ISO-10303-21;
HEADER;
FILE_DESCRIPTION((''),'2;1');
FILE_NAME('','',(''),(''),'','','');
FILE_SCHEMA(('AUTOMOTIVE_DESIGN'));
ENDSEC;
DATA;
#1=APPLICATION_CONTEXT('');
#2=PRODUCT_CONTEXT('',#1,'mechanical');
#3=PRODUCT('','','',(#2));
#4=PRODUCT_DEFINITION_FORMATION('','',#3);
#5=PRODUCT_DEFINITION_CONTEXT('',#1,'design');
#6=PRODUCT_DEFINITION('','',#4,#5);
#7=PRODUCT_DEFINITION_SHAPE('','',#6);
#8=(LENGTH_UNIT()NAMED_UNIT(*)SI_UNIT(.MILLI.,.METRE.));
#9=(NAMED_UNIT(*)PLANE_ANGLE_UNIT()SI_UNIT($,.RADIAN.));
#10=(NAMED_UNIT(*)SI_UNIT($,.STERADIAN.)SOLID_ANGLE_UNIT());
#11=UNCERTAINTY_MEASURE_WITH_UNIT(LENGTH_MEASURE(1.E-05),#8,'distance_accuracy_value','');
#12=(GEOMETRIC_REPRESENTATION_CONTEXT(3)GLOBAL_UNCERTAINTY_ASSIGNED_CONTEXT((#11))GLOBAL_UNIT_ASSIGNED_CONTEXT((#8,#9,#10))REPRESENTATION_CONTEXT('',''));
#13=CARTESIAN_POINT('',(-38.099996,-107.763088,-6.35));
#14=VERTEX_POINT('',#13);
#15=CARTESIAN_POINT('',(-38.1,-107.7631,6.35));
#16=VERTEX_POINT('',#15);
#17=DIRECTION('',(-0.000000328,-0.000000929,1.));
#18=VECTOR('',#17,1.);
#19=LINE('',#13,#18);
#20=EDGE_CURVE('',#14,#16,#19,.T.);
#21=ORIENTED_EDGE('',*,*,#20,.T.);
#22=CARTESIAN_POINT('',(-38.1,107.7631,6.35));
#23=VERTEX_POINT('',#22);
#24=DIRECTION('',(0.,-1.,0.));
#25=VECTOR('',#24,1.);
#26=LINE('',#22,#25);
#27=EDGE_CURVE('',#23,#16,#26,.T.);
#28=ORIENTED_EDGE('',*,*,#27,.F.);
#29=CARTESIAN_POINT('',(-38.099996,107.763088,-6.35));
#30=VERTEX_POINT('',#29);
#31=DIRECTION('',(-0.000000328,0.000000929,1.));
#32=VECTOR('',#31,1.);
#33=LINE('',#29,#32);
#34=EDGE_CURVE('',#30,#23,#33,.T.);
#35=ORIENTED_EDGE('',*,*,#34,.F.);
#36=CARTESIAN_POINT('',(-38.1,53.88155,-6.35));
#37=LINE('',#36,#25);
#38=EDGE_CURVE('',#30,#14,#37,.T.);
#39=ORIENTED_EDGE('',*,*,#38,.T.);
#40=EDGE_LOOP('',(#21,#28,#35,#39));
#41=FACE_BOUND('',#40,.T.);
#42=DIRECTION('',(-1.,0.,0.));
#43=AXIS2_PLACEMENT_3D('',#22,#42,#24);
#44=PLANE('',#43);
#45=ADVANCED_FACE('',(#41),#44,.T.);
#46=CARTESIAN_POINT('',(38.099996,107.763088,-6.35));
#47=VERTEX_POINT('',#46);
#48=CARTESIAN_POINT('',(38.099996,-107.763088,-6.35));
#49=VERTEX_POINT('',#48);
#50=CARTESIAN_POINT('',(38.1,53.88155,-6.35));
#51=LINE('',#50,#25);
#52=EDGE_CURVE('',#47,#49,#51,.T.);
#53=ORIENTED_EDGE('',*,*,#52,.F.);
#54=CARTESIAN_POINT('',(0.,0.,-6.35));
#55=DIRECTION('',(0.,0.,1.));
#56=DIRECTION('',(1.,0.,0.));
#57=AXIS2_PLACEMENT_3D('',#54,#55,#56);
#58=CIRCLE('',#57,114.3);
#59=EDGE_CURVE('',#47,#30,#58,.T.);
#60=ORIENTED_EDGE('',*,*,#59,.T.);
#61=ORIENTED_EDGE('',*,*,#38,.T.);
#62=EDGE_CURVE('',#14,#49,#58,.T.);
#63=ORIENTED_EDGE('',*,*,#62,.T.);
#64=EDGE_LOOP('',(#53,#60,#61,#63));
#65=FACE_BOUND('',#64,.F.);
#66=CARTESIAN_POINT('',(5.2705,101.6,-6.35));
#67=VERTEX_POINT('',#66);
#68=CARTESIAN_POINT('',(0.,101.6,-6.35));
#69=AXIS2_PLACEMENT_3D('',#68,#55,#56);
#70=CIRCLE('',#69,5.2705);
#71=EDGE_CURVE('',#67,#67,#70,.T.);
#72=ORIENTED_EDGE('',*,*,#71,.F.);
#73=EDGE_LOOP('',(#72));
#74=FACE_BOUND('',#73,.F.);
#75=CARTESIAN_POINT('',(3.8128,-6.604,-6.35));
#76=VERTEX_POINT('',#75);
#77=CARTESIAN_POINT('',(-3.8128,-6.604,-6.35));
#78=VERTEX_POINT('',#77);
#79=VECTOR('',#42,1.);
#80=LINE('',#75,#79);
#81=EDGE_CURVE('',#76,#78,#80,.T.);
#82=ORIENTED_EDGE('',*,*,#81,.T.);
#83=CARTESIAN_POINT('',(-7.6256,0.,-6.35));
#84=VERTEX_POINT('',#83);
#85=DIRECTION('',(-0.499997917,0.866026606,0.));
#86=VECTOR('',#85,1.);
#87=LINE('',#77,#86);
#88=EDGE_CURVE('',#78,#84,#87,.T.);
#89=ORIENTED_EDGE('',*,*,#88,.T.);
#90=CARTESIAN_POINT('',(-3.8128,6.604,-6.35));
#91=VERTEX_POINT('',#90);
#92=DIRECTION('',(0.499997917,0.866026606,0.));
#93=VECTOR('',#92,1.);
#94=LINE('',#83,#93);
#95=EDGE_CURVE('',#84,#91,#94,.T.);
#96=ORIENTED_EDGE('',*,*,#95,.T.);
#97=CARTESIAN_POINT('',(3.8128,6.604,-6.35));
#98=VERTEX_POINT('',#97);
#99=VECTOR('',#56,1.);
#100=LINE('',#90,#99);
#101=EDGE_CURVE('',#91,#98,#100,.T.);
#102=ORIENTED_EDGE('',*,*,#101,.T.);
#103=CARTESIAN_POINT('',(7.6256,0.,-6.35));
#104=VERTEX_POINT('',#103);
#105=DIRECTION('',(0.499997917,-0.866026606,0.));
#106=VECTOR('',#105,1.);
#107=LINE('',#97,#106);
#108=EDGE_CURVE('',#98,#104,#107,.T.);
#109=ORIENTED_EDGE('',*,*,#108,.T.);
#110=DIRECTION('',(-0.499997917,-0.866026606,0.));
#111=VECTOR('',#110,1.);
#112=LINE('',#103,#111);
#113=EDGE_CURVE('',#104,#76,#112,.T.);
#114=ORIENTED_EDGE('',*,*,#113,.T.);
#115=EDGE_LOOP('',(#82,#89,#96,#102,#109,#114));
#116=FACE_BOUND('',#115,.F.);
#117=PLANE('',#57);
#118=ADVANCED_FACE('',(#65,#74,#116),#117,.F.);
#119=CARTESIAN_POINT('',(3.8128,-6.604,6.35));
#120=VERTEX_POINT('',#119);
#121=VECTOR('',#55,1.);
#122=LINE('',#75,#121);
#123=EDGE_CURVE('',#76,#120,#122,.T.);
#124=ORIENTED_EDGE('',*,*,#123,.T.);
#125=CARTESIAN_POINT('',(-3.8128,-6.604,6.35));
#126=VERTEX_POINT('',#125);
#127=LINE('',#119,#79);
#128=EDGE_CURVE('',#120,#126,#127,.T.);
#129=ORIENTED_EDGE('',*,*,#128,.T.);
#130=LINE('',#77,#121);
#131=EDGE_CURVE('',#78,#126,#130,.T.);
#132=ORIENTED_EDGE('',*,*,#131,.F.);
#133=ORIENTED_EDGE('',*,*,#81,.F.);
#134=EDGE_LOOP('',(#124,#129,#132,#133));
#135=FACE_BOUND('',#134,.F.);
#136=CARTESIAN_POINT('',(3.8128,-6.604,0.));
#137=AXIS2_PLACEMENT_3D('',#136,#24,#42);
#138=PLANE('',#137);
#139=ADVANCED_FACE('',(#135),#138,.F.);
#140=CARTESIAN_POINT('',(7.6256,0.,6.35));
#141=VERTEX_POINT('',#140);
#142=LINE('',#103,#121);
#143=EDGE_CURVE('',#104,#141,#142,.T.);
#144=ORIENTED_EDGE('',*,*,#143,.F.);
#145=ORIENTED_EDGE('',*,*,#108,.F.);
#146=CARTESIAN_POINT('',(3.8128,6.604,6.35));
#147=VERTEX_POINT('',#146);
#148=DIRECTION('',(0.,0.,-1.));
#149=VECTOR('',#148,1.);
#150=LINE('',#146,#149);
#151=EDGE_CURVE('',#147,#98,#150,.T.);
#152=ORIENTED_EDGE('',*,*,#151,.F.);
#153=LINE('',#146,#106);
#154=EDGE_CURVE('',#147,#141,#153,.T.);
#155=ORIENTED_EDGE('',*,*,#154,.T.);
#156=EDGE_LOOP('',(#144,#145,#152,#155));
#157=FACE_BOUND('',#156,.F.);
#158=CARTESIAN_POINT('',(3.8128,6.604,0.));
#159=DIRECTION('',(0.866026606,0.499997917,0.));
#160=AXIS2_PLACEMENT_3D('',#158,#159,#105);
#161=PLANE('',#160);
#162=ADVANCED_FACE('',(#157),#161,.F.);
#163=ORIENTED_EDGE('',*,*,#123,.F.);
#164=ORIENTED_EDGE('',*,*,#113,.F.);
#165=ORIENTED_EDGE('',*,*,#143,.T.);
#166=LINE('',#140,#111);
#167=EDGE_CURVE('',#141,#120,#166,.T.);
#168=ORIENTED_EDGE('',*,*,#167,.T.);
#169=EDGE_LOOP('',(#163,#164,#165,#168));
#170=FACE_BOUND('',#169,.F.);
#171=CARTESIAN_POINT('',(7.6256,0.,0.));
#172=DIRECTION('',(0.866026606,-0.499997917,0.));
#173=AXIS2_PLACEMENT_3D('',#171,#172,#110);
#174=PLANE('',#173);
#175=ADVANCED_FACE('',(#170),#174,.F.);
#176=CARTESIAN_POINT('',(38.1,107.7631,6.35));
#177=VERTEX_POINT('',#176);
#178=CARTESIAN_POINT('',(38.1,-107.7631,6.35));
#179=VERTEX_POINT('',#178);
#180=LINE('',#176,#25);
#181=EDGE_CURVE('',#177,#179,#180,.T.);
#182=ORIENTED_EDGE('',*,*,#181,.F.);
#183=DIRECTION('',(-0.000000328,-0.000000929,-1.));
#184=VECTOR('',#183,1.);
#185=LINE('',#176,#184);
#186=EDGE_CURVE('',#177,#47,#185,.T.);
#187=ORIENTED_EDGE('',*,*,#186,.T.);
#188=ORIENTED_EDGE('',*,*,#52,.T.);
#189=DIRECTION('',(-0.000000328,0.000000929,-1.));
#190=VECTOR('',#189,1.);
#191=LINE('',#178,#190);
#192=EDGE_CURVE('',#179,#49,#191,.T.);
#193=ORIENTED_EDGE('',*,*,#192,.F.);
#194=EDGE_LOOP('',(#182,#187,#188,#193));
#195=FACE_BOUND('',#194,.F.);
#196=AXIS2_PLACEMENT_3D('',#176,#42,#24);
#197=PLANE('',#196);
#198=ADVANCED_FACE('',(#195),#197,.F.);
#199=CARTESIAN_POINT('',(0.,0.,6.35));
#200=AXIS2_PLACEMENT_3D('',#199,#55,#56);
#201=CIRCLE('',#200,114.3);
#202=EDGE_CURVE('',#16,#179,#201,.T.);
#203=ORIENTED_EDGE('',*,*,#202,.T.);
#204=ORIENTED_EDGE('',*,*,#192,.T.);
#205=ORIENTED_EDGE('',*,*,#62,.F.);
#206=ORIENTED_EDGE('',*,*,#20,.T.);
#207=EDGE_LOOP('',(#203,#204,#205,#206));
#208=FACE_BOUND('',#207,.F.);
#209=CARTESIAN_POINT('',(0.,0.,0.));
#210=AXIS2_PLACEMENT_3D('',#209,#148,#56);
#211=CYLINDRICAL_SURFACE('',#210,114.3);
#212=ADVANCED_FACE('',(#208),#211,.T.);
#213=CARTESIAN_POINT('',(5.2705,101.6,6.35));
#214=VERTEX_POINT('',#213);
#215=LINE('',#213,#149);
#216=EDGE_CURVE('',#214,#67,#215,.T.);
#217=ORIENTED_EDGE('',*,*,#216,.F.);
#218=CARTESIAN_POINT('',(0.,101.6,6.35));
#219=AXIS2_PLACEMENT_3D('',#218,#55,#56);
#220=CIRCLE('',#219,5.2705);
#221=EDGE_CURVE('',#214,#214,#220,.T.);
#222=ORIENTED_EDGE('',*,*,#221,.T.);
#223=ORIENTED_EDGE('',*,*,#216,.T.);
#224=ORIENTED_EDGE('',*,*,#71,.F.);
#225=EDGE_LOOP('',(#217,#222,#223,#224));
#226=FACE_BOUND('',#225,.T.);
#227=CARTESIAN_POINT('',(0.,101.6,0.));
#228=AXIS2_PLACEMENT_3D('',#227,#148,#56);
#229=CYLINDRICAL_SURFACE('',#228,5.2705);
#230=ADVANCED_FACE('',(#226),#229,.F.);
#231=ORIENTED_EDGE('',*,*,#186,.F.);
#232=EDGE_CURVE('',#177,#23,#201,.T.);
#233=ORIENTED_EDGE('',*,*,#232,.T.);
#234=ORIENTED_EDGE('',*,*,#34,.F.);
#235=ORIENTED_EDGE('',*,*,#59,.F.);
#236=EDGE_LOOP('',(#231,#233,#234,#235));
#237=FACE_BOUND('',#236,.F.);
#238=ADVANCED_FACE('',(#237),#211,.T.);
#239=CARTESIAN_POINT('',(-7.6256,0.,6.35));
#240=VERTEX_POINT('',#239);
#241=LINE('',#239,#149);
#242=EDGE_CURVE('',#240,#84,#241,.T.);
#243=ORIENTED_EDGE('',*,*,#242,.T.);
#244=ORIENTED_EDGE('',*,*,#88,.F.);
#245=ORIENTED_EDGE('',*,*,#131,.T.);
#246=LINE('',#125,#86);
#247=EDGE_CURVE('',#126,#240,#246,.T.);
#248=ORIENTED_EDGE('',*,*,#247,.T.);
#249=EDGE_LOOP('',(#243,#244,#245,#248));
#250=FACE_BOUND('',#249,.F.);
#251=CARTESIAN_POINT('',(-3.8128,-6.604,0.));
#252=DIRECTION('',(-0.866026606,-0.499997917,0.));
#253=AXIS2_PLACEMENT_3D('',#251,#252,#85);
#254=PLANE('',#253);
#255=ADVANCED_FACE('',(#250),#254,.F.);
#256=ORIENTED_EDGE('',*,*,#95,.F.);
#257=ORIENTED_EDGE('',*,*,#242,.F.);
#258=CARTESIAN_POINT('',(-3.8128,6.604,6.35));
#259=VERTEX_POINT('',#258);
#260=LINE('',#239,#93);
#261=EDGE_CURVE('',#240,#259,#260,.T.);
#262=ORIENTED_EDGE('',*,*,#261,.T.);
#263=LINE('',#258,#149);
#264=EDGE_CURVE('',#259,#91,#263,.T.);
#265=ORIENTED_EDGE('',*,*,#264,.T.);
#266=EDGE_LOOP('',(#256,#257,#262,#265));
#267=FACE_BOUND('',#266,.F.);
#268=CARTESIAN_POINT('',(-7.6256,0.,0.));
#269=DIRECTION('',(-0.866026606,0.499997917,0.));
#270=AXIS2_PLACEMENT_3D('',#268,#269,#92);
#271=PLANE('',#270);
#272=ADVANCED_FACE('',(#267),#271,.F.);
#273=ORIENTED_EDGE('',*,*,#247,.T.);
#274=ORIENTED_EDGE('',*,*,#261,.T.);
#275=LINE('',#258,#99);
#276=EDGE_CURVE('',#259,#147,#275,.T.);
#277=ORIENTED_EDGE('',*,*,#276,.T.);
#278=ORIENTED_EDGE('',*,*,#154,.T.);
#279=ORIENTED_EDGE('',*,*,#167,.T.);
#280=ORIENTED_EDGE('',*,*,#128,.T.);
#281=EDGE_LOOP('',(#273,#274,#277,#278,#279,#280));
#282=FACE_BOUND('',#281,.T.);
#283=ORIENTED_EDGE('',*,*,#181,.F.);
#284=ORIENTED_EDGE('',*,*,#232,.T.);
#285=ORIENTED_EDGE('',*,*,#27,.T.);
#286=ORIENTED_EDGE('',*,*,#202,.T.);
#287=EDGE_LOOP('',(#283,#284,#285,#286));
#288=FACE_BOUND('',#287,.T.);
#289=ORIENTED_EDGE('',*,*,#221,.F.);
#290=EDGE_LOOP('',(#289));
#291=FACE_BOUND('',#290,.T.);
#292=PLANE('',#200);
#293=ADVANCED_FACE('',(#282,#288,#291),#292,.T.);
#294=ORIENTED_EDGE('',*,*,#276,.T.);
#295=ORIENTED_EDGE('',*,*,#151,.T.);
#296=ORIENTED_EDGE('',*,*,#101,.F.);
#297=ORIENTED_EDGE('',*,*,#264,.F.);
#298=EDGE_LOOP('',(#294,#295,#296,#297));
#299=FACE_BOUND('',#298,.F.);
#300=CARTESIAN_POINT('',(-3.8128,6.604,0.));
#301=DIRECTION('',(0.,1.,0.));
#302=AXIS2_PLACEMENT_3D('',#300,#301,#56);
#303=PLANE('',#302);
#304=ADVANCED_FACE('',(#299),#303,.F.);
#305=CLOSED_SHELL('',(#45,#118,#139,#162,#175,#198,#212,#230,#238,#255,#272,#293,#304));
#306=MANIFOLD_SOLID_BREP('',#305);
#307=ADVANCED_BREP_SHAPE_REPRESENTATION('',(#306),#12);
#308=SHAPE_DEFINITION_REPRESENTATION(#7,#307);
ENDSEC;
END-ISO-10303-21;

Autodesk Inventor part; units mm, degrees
ref_plane "YZ Plane" through (0, 0, 0) normal (1, 0, 0) x (0, 1, 0)
ref_plane "XZ Plane" through (0, 0, 0) normal (0, 1, 0) x (-1, 0, 0)
ref_plane "XY Plane" through (0, 0, 0) normal (0, 0, 1) x (1, 0, 0)
sketch "Sketch1" plane through (0, 0, 0) normal (0, 0, 1) x (1, 0, 0)
  circle A0 centre (0, 0) radius 114.3
  line L0 (7.6256, 0) -> (3.8128, -6.604)
  line L1 (3.8128, -6.604) -> (-3.8128, -6.604)
  line L2 (-3.8128, -6.604) -> (-7.6256, 0)
  line L3 (-7.6256, 0) -> (-3.8128, 6.604)
  line L4 (-3.8128, 6.604) -> (3.8128, 6.604)
  line L5 (3.8128, 6.604) -> (7.6256, 0)
  circle A1 centre (0, 101.6) radius 5.2705
  dimension "d0" = 228.6
  dimension "d1" = 13.208
  dimension "d2" = 10.541
  dimension "d5" = 101.6
extrude "Extrusion1" add sketch "Sketch1" along normal mid plane 12.7
sketch "Sketch4" plane through (0, 0, 6.35) normal (0, 0, 1) x (1, 0, 0)
  circle A0 centre (0, 0) radius 114.3 projected
  line L0 (-38.1, 107.7631) -> (-38.1, -107.7631)
  line L1 (38.1, 107.7631) -> (38.1, -107.7631)
  arc A1 (-38.1, 107.7631) -> (-38.1, -107.7631) centre (0, 0) ccw
  arc A2 (38.1, -107.7631) -> (38.1, 107.7631) centre (0, 0) ccw
  dimension "d18" = 38.1
  dimension "d19" = 38.1
extrude "Extrusion4" cut sketch "Sketch4" against normal through all contours A0 L1 | L0 A0
sketch "Sketch2" plane through (0, 0, 6.35) normal (0, 0, 1) x (1, 0, 0)
  circle A0 centre (-63.5, 0) radius 25.4
  circle A1 centre (-31.75, -54.9926) radius 25.4
  circle A2 centre (31.75, -54.9926) radius 25.4
  circle A3 centre (63.5, 0) radius 25.4
  circle A4 centre (31.75, 54.9926) radius 25.4
  circle A5 centre (-31.75, 54.9926) radius 25.4
  point P0 (0, 0)
  dimension "d6" = 50.8
  dimension "d7" = 63.5
  dimension "d10" = 360
properties part number "driveForPiston-8-inV03" material "PET Plastic"
